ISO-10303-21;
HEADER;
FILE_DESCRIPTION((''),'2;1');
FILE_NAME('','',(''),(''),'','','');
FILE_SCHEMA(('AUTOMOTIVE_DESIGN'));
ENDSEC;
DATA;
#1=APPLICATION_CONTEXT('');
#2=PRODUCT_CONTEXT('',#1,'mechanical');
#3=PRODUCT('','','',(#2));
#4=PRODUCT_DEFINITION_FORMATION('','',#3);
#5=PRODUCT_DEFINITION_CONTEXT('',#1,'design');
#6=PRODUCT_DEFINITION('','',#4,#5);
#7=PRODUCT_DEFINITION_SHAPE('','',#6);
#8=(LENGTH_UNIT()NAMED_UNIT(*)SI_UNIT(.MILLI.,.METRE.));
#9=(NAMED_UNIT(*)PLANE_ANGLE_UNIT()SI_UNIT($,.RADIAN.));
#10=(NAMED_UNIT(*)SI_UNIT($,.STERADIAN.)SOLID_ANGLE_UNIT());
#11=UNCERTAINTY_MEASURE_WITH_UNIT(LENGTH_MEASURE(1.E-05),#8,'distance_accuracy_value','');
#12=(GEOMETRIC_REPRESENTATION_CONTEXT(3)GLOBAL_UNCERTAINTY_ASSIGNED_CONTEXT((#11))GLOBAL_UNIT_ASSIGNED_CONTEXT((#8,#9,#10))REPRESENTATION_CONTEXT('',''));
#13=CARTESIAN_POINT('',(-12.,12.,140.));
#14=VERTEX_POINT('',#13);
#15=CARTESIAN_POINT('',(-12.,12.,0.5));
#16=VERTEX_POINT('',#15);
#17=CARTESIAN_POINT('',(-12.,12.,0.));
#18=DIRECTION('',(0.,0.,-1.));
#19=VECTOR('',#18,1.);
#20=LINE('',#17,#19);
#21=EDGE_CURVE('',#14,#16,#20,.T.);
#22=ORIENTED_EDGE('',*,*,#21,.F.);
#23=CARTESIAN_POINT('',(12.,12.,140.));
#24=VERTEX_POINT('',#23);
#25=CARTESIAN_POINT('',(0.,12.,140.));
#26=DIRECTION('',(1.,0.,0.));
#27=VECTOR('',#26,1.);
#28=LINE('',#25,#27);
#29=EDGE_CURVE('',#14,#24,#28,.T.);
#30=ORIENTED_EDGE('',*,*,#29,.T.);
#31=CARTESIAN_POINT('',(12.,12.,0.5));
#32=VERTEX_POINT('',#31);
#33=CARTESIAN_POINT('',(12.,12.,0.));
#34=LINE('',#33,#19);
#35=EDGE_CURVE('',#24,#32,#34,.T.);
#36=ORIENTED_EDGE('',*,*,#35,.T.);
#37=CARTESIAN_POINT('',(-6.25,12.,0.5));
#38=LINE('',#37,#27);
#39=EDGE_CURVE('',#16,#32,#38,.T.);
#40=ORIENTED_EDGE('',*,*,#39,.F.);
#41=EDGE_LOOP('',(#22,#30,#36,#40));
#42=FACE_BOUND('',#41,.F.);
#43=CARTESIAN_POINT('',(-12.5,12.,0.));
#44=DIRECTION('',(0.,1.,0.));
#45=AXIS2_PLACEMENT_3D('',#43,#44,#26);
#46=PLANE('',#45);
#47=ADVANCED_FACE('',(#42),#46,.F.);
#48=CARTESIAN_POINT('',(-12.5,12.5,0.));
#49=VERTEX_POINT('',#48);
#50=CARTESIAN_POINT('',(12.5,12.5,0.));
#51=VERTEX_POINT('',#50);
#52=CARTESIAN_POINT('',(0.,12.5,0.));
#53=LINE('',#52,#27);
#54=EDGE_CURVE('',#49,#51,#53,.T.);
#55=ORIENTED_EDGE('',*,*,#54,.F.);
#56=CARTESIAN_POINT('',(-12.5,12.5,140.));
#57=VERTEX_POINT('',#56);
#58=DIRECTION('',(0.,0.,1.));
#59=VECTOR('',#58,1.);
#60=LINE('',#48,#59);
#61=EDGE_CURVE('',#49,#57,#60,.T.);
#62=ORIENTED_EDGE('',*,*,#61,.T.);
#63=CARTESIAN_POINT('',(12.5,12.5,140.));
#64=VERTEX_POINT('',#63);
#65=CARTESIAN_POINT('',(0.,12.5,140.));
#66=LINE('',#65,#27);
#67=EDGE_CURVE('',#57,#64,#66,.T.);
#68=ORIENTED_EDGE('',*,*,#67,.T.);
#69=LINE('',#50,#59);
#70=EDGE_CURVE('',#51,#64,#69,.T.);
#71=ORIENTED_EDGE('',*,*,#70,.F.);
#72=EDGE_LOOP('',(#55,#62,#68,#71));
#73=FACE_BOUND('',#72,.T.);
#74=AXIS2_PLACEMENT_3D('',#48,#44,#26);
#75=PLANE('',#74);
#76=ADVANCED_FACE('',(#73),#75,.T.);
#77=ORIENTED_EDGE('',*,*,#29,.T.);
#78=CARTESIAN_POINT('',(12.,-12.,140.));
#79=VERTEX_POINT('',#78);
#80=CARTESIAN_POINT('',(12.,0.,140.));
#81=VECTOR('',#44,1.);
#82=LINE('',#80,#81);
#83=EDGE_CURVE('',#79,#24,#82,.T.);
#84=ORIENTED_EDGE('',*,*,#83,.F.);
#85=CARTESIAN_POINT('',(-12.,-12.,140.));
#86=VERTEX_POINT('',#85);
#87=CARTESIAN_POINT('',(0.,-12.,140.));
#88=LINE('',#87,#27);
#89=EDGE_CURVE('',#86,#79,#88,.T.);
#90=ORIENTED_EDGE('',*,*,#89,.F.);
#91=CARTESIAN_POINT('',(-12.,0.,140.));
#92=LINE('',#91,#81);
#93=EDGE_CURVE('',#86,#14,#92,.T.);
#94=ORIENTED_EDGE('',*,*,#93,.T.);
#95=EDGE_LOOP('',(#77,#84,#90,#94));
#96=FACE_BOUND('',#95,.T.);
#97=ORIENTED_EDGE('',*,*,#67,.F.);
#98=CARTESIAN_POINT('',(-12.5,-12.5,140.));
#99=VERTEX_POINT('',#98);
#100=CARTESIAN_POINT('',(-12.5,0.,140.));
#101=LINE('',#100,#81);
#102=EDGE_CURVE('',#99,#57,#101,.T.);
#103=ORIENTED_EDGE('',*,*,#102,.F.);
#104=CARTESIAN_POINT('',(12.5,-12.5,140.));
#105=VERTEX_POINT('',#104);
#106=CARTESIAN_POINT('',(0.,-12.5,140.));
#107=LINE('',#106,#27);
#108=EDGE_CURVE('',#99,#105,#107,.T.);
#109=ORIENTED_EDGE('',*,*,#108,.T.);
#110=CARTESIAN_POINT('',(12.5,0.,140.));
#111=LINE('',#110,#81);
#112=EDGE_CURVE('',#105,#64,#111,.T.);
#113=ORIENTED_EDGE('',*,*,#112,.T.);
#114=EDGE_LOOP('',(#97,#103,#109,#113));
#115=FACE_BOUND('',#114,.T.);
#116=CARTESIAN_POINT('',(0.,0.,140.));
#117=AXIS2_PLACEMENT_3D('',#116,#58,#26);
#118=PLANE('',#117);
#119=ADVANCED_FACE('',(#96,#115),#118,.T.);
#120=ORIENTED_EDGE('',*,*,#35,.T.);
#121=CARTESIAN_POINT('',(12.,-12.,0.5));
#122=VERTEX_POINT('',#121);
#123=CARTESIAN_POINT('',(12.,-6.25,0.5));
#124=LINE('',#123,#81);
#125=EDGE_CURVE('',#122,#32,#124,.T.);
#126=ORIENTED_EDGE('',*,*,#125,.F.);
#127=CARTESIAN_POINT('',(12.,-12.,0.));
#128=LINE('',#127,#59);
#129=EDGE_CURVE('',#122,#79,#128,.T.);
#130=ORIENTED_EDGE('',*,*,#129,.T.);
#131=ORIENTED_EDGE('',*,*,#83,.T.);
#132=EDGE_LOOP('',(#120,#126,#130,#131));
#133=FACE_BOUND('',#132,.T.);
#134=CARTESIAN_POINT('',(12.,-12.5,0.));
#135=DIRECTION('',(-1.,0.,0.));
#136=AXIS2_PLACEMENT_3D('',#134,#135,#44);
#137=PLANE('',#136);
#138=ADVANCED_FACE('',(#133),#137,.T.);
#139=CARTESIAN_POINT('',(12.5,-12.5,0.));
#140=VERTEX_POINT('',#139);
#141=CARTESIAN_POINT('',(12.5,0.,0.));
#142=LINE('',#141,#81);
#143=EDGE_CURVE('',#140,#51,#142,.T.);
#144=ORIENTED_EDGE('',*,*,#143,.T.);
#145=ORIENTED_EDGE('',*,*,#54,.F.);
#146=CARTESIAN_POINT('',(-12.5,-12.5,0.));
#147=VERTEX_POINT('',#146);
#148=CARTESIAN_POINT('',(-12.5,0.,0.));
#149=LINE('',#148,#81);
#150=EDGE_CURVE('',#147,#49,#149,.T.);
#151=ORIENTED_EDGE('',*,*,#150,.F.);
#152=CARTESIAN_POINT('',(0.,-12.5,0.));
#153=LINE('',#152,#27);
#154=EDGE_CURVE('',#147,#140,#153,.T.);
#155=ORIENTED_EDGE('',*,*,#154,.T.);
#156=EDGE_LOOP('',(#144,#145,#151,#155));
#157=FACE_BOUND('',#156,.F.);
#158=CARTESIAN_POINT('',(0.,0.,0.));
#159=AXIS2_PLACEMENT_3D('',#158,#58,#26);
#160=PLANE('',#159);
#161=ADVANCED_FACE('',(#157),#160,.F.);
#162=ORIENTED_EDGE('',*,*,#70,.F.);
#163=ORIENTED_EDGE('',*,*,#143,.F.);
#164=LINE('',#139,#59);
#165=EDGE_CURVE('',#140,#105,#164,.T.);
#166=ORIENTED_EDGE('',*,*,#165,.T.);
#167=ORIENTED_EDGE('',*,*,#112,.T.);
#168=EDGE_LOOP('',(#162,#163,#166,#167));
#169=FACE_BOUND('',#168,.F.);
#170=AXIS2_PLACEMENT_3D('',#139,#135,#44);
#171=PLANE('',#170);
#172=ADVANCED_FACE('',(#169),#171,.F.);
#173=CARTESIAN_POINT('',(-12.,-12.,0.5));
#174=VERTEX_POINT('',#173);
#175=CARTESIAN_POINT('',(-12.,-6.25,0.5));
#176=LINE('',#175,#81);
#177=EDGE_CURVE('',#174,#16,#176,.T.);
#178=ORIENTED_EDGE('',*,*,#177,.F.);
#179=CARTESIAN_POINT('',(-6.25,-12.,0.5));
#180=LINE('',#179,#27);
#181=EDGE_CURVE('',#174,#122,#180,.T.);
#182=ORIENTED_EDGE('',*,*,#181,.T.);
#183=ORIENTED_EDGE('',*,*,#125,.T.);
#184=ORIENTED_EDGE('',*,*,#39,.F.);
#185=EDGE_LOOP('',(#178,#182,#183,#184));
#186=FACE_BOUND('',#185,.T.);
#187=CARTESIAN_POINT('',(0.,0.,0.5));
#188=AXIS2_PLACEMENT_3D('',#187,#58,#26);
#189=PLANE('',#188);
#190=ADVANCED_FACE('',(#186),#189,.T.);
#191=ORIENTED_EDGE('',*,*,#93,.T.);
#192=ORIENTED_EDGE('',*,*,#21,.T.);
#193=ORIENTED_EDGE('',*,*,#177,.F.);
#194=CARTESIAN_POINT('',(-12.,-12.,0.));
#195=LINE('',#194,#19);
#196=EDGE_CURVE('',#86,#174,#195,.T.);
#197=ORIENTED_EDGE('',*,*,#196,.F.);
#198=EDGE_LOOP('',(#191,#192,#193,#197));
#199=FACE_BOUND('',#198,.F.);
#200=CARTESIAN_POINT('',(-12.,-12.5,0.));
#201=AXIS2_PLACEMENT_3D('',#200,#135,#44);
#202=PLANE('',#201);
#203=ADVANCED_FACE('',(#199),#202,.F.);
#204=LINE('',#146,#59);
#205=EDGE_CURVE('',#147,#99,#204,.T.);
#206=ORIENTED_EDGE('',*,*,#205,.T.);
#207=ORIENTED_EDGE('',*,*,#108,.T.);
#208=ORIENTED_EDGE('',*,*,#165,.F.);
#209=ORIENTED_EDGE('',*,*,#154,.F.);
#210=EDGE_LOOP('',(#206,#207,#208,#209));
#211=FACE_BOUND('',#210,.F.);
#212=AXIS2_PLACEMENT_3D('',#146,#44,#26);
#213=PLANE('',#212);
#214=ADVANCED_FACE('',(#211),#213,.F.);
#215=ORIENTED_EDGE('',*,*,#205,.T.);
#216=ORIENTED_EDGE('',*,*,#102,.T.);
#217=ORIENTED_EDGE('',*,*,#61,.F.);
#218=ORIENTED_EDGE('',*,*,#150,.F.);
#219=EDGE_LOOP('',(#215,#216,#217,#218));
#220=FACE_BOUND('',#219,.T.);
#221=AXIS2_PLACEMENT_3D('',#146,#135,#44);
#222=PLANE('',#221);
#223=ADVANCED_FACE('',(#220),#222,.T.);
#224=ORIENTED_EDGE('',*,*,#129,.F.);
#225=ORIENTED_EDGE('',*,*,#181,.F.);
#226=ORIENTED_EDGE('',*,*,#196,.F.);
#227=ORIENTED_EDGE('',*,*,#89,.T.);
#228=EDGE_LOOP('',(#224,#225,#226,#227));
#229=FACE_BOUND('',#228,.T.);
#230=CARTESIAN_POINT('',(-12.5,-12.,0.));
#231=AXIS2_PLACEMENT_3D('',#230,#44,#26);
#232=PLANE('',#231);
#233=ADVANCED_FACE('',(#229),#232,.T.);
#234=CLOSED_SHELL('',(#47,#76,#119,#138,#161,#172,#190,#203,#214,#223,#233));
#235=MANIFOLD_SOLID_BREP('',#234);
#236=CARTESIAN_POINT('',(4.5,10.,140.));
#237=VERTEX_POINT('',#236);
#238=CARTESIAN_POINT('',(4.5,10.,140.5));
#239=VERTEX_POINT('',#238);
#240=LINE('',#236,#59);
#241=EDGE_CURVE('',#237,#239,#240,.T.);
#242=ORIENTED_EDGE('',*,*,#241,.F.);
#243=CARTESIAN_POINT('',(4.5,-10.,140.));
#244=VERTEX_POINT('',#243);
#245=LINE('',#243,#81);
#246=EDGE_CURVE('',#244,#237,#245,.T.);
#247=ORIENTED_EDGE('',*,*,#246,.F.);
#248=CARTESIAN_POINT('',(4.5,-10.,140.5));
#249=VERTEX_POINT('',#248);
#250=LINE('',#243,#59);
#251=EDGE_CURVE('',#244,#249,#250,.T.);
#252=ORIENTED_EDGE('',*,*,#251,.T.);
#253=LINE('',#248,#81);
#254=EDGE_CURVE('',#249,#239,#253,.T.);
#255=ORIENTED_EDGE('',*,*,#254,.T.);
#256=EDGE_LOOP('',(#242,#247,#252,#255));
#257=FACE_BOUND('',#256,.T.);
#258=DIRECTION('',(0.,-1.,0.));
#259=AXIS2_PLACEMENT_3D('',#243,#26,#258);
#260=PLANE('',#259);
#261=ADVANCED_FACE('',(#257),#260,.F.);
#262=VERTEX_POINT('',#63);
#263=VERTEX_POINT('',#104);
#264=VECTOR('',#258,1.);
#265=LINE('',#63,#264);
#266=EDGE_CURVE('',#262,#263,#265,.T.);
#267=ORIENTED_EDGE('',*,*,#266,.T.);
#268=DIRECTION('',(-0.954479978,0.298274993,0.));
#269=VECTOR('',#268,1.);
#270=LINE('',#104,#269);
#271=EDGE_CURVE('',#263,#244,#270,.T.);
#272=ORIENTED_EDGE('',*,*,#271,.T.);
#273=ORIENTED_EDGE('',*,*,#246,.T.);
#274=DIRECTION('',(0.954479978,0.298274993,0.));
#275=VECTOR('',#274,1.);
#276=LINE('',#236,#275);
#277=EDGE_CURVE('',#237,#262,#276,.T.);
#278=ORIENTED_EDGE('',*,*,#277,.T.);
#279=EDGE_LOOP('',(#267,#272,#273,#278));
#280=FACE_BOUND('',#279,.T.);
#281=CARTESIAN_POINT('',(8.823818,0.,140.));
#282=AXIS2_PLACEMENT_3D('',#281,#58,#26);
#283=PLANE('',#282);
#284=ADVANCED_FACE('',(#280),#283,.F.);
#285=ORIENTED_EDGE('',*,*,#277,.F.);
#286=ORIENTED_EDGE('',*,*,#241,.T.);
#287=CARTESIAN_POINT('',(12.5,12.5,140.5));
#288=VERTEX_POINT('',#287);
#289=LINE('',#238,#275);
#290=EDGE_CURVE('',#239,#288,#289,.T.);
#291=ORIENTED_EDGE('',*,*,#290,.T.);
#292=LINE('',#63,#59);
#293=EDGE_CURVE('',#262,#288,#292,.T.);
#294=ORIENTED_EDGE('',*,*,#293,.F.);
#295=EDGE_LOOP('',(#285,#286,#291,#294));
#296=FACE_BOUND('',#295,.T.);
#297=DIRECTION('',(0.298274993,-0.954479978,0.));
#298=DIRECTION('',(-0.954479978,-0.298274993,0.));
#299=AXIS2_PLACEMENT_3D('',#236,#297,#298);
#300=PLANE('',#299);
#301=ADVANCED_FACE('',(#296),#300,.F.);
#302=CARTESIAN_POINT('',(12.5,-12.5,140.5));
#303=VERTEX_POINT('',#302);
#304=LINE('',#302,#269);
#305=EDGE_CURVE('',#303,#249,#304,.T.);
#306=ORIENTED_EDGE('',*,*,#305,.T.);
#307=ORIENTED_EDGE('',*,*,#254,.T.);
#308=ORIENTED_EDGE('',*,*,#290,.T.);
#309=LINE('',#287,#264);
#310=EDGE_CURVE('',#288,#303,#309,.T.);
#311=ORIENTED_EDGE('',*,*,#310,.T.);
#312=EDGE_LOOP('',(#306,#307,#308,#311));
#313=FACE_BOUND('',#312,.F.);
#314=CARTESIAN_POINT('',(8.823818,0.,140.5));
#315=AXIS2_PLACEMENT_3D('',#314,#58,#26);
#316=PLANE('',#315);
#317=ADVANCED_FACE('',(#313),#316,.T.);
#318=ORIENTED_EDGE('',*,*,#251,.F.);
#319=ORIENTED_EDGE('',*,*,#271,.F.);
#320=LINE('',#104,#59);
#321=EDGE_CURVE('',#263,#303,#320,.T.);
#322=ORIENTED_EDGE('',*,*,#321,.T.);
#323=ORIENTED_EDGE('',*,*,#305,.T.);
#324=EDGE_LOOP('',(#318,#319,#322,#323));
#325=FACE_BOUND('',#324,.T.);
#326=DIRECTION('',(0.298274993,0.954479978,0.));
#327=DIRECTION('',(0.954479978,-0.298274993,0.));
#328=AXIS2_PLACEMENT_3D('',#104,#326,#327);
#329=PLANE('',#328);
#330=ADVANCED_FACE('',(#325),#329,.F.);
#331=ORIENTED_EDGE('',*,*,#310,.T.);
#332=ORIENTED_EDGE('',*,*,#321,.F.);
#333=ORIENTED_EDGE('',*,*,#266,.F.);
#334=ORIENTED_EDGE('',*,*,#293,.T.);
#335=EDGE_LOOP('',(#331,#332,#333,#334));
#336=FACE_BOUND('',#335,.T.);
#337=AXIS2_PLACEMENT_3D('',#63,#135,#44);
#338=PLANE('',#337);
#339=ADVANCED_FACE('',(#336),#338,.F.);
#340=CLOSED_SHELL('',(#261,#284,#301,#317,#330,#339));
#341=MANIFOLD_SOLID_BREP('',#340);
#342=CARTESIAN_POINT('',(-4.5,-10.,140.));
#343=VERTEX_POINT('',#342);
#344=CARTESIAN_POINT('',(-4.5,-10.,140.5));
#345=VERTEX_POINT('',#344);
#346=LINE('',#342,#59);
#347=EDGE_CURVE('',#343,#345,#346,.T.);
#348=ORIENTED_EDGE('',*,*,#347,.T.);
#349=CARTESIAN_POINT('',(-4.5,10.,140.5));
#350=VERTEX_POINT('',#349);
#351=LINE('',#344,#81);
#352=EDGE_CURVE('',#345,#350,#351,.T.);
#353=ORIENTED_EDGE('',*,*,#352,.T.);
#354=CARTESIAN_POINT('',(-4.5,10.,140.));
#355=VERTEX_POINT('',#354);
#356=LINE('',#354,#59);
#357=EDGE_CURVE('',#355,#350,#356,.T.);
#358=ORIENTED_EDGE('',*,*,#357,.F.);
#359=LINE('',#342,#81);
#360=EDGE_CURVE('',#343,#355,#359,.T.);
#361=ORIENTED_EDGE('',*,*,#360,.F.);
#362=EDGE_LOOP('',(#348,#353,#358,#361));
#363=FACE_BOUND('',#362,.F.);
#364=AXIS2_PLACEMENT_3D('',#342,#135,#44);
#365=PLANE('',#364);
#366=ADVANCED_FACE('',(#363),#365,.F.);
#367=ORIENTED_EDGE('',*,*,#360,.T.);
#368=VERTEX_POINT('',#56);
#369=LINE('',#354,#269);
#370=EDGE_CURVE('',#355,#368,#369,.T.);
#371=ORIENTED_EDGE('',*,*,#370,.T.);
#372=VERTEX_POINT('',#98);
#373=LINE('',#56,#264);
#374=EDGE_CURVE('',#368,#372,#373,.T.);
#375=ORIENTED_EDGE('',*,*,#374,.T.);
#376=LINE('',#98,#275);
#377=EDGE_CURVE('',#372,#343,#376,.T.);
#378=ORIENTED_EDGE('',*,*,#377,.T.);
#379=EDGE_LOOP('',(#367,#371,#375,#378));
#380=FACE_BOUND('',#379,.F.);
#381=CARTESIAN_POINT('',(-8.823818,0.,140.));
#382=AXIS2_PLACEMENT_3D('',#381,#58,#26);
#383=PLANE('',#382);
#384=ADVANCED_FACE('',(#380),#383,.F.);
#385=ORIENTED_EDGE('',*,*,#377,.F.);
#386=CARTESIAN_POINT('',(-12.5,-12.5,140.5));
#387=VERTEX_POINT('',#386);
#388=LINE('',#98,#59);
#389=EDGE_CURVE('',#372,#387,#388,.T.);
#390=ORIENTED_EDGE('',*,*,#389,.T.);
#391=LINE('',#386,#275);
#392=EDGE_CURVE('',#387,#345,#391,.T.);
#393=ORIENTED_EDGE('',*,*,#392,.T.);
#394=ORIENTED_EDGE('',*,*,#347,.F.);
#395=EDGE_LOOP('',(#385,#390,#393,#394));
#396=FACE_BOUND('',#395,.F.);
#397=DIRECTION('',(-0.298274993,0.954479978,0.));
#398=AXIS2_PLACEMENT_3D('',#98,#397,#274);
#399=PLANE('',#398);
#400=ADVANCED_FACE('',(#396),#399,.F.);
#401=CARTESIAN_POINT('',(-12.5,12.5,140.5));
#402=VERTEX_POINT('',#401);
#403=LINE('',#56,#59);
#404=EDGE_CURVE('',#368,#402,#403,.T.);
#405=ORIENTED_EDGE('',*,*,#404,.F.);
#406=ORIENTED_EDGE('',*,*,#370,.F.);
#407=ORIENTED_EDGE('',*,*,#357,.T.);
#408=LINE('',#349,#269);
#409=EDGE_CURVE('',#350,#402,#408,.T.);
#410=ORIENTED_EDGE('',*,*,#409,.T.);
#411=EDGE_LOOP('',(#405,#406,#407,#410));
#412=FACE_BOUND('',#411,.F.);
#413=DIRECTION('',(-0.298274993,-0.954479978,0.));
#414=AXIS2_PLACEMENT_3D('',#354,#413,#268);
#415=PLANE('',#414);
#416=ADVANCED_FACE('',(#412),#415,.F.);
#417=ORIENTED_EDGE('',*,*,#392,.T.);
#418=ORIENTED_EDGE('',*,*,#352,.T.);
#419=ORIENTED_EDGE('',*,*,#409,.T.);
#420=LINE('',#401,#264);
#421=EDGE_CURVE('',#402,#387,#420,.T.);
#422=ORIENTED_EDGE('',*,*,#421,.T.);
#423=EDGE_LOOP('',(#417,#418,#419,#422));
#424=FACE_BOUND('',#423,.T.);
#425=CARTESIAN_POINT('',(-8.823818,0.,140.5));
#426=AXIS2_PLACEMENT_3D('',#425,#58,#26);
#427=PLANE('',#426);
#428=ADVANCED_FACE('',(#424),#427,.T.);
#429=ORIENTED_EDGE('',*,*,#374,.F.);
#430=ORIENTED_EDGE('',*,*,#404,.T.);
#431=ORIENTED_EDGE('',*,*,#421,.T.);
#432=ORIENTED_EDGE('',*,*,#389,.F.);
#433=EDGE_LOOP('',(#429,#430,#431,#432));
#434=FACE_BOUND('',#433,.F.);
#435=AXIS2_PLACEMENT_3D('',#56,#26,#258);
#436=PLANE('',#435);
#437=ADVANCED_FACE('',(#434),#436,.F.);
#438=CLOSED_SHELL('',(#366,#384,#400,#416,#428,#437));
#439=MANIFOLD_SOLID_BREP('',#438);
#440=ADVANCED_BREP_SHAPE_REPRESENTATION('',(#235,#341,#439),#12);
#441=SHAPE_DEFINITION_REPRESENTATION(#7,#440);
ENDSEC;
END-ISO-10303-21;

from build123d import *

# Parameters (mm, degrees)
F0_W     = 25
F0_H     = 25
F1_DEPTH = 140
F2_T     = -0.5
F4_DEPTH = 0.5


with BuildPart() as f1:
    # F0 (on Top) → F1 (new body)
    with BuildSketch(Plane.XY):
        Rectangle(F0_W, F0_H)
    extrude(amount=F1_DEPTH)

    # F2
    f2_openings = [f1.faces().sort_by_distance(p)[0] for p in [
        (0, 0, 140),
    ]]
    offset(amount=F2_T, openings=f2_openings)


with BuildPart() as f4:
    # F3 (on face) → F4 (new body)
    with BuildSketch(Plane.XY.offset(140)):
        Polygon((-4.5, 10), (-12.5, 12.5), (-12.5, -12.5), (-4.5, -10), align=None)
    extrude(amount=F4_DEPTH)


with BuildPart() as f5_1:
    # F5: instance of F4
    add(f4.part.mirror(Plane.YZ))


solid = Compound([f1.part, f4.part, f5_1.part])
